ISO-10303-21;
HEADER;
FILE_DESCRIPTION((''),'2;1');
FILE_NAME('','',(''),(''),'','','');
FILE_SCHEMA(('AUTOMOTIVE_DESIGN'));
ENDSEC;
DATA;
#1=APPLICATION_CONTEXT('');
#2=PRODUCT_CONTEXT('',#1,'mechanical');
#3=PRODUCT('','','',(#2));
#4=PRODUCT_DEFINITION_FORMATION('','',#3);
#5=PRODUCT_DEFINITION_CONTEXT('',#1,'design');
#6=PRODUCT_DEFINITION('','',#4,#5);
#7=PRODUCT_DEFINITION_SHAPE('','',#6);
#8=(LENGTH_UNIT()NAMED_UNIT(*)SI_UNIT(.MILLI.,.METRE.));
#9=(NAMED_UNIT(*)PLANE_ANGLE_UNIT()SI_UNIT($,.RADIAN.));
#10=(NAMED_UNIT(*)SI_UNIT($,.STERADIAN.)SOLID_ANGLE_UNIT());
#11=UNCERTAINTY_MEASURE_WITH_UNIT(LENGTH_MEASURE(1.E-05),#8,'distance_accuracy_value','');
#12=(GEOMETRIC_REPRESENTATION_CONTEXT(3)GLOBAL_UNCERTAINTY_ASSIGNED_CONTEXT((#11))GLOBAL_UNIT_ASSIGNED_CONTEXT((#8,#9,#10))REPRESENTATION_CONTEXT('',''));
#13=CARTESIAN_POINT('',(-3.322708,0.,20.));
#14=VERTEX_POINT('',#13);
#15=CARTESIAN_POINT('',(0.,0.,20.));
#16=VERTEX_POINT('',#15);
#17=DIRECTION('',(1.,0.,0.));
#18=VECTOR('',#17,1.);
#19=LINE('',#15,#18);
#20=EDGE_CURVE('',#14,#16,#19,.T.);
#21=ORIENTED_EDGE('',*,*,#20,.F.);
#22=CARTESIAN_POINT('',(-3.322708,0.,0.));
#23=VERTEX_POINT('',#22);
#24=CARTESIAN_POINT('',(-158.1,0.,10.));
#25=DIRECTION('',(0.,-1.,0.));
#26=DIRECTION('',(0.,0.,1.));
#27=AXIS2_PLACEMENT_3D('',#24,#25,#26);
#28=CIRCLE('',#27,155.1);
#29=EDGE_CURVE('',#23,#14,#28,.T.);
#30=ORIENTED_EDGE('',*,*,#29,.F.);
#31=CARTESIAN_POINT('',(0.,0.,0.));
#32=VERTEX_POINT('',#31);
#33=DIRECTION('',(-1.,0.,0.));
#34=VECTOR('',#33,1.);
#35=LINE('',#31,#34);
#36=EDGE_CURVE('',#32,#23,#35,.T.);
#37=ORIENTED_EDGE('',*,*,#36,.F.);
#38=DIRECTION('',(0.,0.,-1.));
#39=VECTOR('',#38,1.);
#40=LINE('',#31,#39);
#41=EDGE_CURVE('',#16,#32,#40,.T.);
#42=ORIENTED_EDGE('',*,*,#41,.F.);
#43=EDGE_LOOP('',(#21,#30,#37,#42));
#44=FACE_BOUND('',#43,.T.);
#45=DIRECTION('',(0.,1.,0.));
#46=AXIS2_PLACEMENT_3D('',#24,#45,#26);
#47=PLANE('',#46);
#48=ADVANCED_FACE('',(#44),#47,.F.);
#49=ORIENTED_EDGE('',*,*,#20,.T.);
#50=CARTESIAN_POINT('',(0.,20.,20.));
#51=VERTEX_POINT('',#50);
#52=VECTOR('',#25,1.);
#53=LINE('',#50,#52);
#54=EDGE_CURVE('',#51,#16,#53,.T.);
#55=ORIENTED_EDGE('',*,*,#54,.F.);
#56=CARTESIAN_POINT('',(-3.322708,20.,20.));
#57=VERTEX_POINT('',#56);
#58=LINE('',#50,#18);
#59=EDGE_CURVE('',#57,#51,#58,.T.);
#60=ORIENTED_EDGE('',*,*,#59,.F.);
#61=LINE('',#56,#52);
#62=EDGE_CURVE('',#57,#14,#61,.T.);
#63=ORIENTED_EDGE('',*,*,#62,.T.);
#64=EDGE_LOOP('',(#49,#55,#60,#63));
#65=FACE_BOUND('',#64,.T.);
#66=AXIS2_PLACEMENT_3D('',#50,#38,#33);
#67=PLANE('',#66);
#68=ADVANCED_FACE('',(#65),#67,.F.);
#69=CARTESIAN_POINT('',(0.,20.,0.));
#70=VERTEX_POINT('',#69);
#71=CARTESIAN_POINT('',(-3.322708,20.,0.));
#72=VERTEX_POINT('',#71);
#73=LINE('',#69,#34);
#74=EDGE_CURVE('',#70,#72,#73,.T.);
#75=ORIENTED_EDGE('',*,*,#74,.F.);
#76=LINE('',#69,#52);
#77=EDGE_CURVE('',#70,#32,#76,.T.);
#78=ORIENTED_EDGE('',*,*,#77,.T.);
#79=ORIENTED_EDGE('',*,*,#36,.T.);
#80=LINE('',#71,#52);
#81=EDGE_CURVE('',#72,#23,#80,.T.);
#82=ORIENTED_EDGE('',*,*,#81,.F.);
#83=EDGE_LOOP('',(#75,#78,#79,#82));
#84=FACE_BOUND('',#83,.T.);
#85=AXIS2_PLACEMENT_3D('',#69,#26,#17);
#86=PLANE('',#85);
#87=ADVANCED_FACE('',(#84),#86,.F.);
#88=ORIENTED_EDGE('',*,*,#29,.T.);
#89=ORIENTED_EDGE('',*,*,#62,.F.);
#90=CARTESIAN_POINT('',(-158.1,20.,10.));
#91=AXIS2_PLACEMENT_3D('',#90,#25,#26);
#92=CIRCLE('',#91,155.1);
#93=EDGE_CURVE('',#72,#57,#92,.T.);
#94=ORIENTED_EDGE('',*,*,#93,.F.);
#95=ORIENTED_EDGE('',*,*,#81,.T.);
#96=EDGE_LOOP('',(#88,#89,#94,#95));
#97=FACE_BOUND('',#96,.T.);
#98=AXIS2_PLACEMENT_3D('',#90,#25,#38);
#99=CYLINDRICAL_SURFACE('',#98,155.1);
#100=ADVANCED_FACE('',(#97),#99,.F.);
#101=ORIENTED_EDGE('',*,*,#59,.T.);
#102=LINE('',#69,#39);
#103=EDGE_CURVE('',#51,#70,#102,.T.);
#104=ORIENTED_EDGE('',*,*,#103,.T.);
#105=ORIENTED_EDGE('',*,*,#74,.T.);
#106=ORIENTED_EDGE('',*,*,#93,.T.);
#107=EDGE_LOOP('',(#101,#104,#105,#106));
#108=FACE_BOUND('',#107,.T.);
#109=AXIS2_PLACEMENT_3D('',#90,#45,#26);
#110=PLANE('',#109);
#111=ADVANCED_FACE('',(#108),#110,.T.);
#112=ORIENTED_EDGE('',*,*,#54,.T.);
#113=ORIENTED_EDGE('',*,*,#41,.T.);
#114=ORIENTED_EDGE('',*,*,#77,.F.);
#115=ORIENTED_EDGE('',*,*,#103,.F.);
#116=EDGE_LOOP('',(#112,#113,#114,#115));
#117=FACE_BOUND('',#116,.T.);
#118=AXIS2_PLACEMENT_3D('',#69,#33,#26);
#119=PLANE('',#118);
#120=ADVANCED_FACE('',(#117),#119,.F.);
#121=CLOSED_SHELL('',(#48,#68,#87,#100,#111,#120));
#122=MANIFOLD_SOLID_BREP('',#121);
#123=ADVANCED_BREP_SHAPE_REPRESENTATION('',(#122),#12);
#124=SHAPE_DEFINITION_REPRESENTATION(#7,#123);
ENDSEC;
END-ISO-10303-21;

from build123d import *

# Parameters (mm, degrees)
EXTRUDE_1_DEPTH = 20


with BuildPart() as part:
    # 草图1 → 凸台-拉伸1 (new body)
    with BuildSketch(Plane(origin=(0, 0, 0), x_dir=(1, 0, 0), z_dir=(0, 1, 0))):
        with BuildLine():
            Line((0, 0), (0, -20))
            Line((0, -20), (-3.322708384, -20))
            ThreePointArc((-3.322708384, -20), (-3, -10), (-3.322708384, 0))
            Line((-3.322708384, 0), (0, 0))
        make_face()
    extrude(amount=EXTRUDE_1_DEPTH)


solid = part.part
